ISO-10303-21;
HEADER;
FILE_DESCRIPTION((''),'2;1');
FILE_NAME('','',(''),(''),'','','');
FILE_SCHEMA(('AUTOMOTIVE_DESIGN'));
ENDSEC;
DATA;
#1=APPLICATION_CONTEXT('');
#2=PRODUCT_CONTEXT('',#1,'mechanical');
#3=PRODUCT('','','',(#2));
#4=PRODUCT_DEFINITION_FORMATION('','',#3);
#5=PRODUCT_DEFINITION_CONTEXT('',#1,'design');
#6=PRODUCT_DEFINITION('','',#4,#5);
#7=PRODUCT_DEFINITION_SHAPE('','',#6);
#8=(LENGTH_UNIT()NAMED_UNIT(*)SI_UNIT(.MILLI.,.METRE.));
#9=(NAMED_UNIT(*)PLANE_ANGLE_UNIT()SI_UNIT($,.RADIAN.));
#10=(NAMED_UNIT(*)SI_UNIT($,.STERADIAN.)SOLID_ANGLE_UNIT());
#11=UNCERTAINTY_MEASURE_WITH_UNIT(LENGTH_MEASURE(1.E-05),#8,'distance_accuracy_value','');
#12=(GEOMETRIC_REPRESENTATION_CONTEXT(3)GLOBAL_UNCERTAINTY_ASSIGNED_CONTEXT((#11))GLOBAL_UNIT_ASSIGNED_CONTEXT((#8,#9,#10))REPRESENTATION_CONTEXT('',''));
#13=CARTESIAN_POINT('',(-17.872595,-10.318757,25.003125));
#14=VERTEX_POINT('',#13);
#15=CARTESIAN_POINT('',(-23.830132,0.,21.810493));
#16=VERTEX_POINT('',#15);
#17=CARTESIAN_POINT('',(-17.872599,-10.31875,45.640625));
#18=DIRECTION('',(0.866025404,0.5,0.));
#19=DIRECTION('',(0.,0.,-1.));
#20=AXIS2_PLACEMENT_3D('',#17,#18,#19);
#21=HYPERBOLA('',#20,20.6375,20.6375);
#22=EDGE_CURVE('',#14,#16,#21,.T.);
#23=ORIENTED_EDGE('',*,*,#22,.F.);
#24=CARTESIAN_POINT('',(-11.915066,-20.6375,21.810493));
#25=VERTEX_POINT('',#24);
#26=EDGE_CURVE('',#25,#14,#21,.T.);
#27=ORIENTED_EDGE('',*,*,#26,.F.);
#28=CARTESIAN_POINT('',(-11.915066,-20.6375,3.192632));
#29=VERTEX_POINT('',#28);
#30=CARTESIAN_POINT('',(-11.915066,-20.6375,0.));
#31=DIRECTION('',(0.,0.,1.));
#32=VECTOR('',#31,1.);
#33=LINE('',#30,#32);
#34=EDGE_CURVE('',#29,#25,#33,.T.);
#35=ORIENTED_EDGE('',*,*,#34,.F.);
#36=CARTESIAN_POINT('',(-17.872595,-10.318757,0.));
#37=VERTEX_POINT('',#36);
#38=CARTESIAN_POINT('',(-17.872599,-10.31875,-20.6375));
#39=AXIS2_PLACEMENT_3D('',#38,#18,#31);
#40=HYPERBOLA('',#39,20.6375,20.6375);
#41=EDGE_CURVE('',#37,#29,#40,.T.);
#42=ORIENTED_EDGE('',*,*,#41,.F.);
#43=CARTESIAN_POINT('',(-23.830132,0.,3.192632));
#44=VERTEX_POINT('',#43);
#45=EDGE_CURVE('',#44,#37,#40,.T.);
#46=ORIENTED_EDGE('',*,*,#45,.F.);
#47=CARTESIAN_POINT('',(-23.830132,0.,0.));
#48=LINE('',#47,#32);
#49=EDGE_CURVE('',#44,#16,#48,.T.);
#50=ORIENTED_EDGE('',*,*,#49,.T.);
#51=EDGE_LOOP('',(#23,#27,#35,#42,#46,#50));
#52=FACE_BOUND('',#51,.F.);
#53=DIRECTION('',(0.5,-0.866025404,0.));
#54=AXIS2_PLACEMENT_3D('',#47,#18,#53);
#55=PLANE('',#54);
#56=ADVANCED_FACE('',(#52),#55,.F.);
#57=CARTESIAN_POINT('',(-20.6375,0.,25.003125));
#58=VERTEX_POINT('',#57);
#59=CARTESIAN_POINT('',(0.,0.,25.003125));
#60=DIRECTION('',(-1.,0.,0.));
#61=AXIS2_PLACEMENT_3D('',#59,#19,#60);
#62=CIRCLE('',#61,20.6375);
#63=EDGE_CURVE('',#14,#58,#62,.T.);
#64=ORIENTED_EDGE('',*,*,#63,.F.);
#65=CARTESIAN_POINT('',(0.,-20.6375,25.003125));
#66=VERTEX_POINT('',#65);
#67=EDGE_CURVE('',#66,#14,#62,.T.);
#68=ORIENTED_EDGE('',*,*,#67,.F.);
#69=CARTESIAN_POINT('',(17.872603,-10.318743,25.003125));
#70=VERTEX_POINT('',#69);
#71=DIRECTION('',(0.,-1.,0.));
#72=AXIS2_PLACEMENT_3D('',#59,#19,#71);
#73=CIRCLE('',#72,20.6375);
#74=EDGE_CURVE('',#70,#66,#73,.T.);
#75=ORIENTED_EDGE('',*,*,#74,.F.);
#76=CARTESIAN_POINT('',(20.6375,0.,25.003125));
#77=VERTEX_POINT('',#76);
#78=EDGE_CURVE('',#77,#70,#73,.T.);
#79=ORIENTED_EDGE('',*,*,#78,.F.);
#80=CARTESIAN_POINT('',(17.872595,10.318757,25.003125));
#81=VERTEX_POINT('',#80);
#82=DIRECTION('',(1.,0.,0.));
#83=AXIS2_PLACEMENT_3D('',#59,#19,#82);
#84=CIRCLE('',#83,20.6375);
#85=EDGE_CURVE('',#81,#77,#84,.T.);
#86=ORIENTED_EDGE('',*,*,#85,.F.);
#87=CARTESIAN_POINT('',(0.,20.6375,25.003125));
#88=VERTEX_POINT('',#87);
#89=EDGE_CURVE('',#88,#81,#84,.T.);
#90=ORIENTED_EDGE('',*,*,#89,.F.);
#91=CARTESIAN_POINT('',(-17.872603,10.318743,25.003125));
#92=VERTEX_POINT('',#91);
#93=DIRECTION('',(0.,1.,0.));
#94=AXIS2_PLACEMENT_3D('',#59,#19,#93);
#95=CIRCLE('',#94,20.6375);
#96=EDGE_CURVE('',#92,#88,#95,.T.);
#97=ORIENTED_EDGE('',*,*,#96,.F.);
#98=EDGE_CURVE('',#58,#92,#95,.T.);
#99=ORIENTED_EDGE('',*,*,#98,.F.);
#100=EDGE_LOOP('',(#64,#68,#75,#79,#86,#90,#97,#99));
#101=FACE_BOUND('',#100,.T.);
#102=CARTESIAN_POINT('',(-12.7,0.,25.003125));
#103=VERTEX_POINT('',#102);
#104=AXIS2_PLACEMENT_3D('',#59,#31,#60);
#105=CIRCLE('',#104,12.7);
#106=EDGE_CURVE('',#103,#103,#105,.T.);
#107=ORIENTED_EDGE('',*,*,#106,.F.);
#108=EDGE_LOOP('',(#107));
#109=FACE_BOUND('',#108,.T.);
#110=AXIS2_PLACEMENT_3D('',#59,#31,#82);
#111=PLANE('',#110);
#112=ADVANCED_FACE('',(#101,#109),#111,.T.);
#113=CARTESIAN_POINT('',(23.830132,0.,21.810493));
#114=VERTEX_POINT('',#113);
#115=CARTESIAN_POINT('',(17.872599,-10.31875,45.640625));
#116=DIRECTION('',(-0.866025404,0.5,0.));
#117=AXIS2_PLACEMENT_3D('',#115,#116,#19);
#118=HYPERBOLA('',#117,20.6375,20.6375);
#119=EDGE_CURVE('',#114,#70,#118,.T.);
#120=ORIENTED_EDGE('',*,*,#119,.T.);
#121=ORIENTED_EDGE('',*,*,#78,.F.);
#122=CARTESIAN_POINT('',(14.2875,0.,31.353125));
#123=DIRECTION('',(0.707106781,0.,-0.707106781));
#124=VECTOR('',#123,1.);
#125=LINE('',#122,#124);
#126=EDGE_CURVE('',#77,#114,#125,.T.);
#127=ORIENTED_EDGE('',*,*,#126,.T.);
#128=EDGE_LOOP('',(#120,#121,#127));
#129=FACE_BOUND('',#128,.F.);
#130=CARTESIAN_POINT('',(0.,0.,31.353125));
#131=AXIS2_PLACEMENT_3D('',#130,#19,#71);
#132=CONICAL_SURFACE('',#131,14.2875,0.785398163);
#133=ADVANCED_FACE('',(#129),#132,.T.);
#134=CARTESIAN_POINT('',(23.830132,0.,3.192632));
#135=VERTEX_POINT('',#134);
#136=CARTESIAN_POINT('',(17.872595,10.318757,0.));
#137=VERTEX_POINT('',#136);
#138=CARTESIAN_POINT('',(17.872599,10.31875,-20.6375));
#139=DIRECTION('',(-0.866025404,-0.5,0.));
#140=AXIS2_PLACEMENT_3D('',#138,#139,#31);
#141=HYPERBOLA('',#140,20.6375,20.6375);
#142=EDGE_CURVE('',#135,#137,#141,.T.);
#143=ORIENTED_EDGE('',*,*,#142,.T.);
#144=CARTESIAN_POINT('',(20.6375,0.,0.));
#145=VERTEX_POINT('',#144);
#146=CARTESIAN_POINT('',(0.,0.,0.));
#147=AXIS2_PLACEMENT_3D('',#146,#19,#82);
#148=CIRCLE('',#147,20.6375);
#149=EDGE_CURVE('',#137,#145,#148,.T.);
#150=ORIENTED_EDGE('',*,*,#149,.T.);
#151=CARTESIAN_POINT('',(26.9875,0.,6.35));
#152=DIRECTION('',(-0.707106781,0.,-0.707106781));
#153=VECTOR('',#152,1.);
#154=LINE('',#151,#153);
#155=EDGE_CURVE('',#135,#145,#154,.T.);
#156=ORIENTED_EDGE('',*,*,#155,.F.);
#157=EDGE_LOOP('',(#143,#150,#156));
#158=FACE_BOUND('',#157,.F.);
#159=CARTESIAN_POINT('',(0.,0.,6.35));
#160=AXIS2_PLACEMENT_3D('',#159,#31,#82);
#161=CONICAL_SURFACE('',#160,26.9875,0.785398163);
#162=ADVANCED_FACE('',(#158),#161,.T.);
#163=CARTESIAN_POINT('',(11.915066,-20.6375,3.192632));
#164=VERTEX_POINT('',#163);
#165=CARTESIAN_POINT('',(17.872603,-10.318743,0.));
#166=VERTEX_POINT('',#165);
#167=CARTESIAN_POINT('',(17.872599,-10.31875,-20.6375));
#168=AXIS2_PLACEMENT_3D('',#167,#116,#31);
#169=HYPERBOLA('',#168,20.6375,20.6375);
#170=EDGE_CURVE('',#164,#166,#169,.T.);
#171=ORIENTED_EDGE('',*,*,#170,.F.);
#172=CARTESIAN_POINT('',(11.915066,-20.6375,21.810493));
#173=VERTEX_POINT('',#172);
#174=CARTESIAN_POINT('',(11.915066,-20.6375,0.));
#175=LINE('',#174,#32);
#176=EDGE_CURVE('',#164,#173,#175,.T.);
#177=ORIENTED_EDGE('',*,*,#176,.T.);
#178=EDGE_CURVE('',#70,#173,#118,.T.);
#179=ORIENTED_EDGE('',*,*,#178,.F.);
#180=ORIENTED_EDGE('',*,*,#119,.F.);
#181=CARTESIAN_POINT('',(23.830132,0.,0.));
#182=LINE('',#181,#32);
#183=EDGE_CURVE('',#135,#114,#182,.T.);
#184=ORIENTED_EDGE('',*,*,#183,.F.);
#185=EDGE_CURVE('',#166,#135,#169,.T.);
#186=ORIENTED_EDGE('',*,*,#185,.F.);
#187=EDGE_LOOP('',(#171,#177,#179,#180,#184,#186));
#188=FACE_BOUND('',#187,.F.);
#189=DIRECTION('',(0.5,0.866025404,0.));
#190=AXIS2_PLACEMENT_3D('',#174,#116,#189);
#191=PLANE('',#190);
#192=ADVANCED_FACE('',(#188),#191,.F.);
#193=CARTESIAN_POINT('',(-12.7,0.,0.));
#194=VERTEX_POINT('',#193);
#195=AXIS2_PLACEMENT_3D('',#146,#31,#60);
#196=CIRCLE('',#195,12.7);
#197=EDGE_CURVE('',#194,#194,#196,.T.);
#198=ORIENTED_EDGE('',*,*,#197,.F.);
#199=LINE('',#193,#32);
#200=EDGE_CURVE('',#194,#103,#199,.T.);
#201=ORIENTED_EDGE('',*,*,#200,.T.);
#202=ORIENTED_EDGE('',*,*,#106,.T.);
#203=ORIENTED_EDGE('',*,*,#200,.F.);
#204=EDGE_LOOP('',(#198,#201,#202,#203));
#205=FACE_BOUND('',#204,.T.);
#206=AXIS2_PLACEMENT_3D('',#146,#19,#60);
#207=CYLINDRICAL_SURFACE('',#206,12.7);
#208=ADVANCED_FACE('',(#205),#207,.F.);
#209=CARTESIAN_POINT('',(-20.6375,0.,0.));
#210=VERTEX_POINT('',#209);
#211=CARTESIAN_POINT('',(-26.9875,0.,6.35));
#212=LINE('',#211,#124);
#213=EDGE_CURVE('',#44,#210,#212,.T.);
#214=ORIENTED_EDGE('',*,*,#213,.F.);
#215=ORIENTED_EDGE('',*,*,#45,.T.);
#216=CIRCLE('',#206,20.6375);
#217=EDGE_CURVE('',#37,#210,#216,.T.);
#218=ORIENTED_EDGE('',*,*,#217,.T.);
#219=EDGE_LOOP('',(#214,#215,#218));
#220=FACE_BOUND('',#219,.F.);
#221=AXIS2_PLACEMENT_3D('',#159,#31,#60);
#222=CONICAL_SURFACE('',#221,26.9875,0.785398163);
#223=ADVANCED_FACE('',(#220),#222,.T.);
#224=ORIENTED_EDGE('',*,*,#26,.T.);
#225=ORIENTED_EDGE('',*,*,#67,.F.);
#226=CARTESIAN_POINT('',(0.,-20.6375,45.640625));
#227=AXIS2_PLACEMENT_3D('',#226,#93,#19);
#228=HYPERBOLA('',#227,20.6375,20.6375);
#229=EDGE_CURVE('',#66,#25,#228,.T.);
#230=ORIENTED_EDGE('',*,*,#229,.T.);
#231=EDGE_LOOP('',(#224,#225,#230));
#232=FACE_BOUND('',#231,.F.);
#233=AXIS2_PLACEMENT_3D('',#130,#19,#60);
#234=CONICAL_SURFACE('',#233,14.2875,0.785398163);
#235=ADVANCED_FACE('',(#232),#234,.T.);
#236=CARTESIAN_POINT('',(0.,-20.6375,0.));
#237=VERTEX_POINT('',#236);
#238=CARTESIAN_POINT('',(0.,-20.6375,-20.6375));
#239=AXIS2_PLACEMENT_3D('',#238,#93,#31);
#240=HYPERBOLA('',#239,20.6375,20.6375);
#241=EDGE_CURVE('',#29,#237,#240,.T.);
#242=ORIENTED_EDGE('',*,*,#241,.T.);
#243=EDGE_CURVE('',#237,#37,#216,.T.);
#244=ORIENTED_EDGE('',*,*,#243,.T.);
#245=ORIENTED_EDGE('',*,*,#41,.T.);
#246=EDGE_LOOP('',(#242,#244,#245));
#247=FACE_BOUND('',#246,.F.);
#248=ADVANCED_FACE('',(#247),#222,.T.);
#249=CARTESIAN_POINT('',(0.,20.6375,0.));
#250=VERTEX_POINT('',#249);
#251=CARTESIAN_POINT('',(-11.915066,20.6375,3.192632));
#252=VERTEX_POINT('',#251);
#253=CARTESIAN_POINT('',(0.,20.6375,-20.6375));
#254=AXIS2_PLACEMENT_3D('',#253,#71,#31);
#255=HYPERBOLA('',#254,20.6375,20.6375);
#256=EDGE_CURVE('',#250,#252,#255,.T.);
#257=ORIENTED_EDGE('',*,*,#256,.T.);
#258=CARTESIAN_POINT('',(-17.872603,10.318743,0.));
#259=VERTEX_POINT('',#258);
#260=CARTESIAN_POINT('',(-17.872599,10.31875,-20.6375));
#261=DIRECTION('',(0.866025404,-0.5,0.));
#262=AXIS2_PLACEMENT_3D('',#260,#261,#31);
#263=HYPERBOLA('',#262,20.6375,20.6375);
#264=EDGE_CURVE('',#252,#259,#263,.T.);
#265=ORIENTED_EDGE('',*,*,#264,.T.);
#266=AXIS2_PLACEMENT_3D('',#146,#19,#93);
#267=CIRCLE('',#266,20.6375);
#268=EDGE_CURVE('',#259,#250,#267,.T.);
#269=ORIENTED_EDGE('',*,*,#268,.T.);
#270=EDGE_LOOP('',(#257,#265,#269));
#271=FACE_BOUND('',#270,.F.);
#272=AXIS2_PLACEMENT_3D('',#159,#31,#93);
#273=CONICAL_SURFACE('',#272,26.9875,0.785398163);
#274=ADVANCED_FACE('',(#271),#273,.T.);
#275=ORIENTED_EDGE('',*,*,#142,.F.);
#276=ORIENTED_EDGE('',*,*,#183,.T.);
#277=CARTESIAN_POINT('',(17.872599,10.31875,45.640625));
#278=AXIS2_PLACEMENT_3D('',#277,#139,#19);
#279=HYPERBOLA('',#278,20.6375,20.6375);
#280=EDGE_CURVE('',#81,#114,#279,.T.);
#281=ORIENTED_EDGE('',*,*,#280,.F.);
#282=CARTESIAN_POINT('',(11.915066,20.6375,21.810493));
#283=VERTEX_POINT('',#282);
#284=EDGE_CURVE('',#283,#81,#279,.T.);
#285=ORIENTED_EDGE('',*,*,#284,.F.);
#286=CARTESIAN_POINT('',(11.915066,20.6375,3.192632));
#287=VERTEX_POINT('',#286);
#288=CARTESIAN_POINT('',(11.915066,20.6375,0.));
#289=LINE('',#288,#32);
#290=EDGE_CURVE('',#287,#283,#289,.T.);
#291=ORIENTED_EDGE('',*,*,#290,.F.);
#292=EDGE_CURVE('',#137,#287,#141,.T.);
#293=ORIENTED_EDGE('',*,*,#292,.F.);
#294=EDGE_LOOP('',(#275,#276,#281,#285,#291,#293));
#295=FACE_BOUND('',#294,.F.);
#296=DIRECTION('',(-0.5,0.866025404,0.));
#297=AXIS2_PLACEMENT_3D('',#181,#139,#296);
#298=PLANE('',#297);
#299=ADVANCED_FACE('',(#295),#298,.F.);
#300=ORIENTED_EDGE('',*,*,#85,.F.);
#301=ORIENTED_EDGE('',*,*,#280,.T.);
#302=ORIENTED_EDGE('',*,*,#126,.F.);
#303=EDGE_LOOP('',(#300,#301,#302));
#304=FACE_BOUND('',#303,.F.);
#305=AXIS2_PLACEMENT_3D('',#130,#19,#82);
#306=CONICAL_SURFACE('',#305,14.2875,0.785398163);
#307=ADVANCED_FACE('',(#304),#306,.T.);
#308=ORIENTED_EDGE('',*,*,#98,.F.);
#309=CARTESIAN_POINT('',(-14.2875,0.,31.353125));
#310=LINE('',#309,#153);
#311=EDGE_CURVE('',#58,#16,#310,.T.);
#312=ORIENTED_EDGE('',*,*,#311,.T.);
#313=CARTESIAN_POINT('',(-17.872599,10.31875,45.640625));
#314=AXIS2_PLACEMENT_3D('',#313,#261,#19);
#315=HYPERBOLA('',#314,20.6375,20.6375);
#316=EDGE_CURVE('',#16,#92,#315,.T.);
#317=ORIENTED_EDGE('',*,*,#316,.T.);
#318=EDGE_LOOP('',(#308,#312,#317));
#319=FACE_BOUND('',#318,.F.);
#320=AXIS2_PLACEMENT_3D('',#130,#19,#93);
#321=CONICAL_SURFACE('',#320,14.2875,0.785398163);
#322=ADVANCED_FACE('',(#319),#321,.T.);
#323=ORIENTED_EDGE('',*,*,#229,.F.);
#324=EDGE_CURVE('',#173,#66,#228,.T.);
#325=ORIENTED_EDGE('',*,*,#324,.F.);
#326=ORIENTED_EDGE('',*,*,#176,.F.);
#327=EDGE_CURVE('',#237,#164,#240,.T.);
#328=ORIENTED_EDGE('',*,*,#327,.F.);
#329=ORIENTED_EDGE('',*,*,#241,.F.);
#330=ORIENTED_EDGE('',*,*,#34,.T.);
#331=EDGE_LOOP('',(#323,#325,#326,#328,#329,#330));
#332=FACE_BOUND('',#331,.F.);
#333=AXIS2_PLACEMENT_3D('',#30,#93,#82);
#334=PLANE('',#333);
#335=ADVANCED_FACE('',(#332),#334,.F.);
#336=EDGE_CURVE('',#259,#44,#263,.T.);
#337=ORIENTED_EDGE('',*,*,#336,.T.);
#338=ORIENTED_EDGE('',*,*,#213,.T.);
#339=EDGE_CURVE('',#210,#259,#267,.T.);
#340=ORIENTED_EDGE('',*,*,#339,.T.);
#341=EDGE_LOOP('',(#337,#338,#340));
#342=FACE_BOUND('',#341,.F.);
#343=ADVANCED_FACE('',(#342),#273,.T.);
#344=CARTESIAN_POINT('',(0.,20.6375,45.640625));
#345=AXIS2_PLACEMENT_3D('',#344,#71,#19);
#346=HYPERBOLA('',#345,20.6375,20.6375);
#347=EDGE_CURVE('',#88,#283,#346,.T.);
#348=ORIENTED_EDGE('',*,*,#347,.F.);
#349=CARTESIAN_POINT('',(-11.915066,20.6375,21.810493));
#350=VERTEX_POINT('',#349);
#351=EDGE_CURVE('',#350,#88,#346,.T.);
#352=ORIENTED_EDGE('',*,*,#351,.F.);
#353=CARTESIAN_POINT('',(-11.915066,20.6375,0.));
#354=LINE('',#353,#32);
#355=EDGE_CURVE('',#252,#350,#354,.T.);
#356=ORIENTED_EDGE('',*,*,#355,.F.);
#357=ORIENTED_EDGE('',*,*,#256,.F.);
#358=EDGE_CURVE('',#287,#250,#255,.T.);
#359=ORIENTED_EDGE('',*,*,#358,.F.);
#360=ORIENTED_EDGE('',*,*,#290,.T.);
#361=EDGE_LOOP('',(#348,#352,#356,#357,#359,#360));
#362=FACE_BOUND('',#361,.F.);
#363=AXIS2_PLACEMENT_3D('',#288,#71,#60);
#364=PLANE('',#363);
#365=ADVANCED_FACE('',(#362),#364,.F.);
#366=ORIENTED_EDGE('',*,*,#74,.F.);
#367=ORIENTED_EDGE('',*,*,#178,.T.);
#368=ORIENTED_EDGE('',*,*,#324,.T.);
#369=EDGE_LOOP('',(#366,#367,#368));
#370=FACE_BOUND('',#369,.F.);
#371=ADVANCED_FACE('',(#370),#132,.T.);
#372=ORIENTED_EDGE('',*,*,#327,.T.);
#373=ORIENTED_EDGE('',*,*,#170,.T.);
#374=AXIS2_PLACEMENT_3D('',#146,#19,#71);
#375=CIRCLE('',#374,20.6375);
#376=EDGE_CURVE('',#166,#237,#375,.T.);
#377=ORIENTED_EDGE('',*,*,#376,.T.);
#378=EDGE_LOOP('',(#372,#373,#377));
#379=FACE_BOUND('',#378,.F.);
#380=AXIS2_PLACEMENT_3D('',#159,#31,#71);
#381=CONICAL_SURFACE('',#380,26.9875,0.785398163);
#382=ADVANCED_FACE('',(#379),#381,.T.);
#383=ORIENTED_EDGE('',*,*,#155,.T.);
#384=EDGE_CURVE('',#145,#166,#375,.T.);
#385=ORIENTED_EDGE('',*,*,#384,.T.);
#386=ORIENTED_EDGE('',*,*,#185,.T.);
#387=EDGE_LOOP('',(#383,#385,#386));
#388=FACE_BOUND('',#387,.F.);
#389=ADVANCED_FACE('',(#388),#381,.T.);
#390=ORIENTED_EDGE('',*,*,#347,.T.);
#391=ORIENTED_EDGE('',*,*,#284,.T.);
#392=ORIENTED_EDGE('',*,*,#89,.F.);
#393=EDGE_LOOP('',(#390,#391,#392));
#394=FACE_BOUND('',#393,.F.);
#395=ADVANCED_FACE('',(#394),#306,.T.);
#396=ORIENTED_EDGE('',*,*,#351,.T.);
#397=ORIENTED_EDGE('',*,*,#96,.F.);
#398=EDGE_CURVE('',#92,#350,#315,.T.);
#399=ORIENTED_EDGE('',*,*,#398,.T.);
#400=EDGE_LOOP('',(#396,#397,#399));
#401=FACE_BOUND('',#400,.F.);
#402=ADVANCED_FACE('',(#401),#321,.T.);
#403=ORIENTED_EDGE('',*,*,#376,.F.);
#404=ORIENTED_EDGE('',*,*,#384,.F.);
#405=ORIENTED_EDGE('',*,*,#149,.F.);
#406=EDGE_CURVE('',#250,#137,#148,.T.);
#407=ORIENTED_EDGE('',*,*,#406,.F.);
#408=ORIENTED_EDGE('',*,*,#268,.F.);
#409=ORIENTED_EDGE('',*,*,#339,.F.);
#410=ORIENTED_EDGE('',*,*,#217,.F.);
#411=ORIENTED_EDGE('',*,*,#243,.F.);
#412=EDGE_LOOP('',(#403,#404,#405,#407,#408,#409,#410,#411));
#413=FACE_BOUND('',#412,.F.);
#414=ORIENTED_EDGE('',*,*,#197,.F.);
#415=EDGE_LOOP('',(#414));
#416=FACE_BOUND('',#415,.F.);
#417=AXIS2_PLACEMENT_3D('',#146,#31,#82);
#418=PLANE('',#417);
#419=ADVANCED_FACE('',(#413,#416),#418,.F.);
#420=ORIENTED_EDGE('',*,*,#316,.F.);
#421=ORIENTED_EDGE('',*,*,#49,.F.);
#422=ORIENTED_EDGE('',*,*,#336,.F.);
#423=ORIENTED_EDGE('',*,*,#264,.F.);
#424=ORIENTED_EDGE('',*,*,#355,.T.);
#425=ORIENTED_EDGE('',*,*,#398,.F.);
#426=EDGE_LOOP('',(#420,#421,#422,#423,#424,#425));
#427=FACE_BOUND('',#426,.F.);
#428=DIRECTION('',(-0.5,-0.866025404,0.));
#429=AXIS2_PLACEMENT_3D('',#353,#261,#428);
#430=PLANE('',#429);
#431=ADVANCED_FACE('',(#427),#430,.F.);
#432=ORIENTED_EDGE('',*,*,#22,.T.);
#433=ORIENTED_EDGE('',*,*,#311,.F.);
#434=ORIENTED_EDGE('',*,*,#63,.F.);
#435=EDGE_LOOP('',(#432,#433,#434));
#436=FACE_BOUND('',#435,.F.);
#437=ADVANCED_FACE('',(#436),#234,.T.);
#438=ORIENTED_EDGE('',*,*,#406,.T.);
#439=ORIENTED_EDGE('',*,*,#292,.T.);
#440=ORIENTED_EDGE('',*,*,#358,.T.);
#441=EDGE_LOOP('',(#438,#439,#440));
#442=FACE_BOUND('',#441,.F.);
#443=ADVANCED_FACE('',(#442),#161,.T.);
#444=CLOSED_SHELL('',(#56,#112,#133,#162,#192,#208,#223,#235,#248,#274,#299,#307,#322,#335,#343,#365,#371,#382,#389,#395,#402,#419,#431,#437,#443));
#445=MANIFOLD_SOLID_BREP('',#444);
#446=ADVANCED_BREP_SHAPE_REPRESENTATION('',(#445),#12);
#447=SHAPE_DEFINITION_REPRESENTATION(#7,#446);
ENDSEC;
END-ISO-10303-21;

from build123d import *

# Parameters (mm, degrees)
SKETCH1_R           = 12.7
BOSS_EXTRUDE1_DEPTH = 25.003125


with BuildPart() as part:
    # Sketch1 → Boss-Extrude1 (new body)
    with BuildSketch(Plane.XY):
        Polygon((-11.91506618, 20.6375), (-23.830132361, 0), (-11.91506618, -20.6375), (11.91506618, -20.6375), (23.830132361, 0), (11.91506618, 20.6375), align=None)
        with Locations(Location((0, 0, 0), (0, 0, 180))):
            Circle(SKETCH1_R, mode=Mode.SUBTRACT)
    extrude(amount=BOSS_EXTRUDE1_DEPTH)

    # Cut-Sweep1: sweep along a curve in space
    with BuildLine() as cut_sweep1_path:
        ThreePointArc((12.7, 0, 25.003125), (8.980256121, 8.980256121, 25.003125), (0, 12.7, 25.003125))
        ThreePointArc((0, 12.7, 25.003125), (-8.980256121, 8.980256121, 25.003125), (-12.7, 0, 25.003125))
        ThreePointArc((-12.7, 0, 25.003125), (-8.980256121, -8.980256121, 25.003125), (0, -12.7, 25.003125))
        ThreePointArc((0, -12.7, 25.003125), (8.980256121, -8.980256121, 25.003125), (12.7, 0, 25.003125))
    # Sketch2 → Cut-Sweep1 (sweep, cut)
    with BuildSketch(Plane(origin=(0, 0, 0), x_dir=(0, 0, -1), z_dir=(1, 0, 0))):
        Polygon((-25.003125, 20.6375), (-18.653125, 26.9875), (-31.353125, 26.9875), (-31.353125, 14.2875), align=None)
        Polygon((6.35, 14.2875), (0, 20.6375), (-6.35, 26.9875), (6.35, 26.9875), align=None)
    sweep(path=cut_sweep1_path.line, mode=Mode.SUBTRACT)


solid = part.part
